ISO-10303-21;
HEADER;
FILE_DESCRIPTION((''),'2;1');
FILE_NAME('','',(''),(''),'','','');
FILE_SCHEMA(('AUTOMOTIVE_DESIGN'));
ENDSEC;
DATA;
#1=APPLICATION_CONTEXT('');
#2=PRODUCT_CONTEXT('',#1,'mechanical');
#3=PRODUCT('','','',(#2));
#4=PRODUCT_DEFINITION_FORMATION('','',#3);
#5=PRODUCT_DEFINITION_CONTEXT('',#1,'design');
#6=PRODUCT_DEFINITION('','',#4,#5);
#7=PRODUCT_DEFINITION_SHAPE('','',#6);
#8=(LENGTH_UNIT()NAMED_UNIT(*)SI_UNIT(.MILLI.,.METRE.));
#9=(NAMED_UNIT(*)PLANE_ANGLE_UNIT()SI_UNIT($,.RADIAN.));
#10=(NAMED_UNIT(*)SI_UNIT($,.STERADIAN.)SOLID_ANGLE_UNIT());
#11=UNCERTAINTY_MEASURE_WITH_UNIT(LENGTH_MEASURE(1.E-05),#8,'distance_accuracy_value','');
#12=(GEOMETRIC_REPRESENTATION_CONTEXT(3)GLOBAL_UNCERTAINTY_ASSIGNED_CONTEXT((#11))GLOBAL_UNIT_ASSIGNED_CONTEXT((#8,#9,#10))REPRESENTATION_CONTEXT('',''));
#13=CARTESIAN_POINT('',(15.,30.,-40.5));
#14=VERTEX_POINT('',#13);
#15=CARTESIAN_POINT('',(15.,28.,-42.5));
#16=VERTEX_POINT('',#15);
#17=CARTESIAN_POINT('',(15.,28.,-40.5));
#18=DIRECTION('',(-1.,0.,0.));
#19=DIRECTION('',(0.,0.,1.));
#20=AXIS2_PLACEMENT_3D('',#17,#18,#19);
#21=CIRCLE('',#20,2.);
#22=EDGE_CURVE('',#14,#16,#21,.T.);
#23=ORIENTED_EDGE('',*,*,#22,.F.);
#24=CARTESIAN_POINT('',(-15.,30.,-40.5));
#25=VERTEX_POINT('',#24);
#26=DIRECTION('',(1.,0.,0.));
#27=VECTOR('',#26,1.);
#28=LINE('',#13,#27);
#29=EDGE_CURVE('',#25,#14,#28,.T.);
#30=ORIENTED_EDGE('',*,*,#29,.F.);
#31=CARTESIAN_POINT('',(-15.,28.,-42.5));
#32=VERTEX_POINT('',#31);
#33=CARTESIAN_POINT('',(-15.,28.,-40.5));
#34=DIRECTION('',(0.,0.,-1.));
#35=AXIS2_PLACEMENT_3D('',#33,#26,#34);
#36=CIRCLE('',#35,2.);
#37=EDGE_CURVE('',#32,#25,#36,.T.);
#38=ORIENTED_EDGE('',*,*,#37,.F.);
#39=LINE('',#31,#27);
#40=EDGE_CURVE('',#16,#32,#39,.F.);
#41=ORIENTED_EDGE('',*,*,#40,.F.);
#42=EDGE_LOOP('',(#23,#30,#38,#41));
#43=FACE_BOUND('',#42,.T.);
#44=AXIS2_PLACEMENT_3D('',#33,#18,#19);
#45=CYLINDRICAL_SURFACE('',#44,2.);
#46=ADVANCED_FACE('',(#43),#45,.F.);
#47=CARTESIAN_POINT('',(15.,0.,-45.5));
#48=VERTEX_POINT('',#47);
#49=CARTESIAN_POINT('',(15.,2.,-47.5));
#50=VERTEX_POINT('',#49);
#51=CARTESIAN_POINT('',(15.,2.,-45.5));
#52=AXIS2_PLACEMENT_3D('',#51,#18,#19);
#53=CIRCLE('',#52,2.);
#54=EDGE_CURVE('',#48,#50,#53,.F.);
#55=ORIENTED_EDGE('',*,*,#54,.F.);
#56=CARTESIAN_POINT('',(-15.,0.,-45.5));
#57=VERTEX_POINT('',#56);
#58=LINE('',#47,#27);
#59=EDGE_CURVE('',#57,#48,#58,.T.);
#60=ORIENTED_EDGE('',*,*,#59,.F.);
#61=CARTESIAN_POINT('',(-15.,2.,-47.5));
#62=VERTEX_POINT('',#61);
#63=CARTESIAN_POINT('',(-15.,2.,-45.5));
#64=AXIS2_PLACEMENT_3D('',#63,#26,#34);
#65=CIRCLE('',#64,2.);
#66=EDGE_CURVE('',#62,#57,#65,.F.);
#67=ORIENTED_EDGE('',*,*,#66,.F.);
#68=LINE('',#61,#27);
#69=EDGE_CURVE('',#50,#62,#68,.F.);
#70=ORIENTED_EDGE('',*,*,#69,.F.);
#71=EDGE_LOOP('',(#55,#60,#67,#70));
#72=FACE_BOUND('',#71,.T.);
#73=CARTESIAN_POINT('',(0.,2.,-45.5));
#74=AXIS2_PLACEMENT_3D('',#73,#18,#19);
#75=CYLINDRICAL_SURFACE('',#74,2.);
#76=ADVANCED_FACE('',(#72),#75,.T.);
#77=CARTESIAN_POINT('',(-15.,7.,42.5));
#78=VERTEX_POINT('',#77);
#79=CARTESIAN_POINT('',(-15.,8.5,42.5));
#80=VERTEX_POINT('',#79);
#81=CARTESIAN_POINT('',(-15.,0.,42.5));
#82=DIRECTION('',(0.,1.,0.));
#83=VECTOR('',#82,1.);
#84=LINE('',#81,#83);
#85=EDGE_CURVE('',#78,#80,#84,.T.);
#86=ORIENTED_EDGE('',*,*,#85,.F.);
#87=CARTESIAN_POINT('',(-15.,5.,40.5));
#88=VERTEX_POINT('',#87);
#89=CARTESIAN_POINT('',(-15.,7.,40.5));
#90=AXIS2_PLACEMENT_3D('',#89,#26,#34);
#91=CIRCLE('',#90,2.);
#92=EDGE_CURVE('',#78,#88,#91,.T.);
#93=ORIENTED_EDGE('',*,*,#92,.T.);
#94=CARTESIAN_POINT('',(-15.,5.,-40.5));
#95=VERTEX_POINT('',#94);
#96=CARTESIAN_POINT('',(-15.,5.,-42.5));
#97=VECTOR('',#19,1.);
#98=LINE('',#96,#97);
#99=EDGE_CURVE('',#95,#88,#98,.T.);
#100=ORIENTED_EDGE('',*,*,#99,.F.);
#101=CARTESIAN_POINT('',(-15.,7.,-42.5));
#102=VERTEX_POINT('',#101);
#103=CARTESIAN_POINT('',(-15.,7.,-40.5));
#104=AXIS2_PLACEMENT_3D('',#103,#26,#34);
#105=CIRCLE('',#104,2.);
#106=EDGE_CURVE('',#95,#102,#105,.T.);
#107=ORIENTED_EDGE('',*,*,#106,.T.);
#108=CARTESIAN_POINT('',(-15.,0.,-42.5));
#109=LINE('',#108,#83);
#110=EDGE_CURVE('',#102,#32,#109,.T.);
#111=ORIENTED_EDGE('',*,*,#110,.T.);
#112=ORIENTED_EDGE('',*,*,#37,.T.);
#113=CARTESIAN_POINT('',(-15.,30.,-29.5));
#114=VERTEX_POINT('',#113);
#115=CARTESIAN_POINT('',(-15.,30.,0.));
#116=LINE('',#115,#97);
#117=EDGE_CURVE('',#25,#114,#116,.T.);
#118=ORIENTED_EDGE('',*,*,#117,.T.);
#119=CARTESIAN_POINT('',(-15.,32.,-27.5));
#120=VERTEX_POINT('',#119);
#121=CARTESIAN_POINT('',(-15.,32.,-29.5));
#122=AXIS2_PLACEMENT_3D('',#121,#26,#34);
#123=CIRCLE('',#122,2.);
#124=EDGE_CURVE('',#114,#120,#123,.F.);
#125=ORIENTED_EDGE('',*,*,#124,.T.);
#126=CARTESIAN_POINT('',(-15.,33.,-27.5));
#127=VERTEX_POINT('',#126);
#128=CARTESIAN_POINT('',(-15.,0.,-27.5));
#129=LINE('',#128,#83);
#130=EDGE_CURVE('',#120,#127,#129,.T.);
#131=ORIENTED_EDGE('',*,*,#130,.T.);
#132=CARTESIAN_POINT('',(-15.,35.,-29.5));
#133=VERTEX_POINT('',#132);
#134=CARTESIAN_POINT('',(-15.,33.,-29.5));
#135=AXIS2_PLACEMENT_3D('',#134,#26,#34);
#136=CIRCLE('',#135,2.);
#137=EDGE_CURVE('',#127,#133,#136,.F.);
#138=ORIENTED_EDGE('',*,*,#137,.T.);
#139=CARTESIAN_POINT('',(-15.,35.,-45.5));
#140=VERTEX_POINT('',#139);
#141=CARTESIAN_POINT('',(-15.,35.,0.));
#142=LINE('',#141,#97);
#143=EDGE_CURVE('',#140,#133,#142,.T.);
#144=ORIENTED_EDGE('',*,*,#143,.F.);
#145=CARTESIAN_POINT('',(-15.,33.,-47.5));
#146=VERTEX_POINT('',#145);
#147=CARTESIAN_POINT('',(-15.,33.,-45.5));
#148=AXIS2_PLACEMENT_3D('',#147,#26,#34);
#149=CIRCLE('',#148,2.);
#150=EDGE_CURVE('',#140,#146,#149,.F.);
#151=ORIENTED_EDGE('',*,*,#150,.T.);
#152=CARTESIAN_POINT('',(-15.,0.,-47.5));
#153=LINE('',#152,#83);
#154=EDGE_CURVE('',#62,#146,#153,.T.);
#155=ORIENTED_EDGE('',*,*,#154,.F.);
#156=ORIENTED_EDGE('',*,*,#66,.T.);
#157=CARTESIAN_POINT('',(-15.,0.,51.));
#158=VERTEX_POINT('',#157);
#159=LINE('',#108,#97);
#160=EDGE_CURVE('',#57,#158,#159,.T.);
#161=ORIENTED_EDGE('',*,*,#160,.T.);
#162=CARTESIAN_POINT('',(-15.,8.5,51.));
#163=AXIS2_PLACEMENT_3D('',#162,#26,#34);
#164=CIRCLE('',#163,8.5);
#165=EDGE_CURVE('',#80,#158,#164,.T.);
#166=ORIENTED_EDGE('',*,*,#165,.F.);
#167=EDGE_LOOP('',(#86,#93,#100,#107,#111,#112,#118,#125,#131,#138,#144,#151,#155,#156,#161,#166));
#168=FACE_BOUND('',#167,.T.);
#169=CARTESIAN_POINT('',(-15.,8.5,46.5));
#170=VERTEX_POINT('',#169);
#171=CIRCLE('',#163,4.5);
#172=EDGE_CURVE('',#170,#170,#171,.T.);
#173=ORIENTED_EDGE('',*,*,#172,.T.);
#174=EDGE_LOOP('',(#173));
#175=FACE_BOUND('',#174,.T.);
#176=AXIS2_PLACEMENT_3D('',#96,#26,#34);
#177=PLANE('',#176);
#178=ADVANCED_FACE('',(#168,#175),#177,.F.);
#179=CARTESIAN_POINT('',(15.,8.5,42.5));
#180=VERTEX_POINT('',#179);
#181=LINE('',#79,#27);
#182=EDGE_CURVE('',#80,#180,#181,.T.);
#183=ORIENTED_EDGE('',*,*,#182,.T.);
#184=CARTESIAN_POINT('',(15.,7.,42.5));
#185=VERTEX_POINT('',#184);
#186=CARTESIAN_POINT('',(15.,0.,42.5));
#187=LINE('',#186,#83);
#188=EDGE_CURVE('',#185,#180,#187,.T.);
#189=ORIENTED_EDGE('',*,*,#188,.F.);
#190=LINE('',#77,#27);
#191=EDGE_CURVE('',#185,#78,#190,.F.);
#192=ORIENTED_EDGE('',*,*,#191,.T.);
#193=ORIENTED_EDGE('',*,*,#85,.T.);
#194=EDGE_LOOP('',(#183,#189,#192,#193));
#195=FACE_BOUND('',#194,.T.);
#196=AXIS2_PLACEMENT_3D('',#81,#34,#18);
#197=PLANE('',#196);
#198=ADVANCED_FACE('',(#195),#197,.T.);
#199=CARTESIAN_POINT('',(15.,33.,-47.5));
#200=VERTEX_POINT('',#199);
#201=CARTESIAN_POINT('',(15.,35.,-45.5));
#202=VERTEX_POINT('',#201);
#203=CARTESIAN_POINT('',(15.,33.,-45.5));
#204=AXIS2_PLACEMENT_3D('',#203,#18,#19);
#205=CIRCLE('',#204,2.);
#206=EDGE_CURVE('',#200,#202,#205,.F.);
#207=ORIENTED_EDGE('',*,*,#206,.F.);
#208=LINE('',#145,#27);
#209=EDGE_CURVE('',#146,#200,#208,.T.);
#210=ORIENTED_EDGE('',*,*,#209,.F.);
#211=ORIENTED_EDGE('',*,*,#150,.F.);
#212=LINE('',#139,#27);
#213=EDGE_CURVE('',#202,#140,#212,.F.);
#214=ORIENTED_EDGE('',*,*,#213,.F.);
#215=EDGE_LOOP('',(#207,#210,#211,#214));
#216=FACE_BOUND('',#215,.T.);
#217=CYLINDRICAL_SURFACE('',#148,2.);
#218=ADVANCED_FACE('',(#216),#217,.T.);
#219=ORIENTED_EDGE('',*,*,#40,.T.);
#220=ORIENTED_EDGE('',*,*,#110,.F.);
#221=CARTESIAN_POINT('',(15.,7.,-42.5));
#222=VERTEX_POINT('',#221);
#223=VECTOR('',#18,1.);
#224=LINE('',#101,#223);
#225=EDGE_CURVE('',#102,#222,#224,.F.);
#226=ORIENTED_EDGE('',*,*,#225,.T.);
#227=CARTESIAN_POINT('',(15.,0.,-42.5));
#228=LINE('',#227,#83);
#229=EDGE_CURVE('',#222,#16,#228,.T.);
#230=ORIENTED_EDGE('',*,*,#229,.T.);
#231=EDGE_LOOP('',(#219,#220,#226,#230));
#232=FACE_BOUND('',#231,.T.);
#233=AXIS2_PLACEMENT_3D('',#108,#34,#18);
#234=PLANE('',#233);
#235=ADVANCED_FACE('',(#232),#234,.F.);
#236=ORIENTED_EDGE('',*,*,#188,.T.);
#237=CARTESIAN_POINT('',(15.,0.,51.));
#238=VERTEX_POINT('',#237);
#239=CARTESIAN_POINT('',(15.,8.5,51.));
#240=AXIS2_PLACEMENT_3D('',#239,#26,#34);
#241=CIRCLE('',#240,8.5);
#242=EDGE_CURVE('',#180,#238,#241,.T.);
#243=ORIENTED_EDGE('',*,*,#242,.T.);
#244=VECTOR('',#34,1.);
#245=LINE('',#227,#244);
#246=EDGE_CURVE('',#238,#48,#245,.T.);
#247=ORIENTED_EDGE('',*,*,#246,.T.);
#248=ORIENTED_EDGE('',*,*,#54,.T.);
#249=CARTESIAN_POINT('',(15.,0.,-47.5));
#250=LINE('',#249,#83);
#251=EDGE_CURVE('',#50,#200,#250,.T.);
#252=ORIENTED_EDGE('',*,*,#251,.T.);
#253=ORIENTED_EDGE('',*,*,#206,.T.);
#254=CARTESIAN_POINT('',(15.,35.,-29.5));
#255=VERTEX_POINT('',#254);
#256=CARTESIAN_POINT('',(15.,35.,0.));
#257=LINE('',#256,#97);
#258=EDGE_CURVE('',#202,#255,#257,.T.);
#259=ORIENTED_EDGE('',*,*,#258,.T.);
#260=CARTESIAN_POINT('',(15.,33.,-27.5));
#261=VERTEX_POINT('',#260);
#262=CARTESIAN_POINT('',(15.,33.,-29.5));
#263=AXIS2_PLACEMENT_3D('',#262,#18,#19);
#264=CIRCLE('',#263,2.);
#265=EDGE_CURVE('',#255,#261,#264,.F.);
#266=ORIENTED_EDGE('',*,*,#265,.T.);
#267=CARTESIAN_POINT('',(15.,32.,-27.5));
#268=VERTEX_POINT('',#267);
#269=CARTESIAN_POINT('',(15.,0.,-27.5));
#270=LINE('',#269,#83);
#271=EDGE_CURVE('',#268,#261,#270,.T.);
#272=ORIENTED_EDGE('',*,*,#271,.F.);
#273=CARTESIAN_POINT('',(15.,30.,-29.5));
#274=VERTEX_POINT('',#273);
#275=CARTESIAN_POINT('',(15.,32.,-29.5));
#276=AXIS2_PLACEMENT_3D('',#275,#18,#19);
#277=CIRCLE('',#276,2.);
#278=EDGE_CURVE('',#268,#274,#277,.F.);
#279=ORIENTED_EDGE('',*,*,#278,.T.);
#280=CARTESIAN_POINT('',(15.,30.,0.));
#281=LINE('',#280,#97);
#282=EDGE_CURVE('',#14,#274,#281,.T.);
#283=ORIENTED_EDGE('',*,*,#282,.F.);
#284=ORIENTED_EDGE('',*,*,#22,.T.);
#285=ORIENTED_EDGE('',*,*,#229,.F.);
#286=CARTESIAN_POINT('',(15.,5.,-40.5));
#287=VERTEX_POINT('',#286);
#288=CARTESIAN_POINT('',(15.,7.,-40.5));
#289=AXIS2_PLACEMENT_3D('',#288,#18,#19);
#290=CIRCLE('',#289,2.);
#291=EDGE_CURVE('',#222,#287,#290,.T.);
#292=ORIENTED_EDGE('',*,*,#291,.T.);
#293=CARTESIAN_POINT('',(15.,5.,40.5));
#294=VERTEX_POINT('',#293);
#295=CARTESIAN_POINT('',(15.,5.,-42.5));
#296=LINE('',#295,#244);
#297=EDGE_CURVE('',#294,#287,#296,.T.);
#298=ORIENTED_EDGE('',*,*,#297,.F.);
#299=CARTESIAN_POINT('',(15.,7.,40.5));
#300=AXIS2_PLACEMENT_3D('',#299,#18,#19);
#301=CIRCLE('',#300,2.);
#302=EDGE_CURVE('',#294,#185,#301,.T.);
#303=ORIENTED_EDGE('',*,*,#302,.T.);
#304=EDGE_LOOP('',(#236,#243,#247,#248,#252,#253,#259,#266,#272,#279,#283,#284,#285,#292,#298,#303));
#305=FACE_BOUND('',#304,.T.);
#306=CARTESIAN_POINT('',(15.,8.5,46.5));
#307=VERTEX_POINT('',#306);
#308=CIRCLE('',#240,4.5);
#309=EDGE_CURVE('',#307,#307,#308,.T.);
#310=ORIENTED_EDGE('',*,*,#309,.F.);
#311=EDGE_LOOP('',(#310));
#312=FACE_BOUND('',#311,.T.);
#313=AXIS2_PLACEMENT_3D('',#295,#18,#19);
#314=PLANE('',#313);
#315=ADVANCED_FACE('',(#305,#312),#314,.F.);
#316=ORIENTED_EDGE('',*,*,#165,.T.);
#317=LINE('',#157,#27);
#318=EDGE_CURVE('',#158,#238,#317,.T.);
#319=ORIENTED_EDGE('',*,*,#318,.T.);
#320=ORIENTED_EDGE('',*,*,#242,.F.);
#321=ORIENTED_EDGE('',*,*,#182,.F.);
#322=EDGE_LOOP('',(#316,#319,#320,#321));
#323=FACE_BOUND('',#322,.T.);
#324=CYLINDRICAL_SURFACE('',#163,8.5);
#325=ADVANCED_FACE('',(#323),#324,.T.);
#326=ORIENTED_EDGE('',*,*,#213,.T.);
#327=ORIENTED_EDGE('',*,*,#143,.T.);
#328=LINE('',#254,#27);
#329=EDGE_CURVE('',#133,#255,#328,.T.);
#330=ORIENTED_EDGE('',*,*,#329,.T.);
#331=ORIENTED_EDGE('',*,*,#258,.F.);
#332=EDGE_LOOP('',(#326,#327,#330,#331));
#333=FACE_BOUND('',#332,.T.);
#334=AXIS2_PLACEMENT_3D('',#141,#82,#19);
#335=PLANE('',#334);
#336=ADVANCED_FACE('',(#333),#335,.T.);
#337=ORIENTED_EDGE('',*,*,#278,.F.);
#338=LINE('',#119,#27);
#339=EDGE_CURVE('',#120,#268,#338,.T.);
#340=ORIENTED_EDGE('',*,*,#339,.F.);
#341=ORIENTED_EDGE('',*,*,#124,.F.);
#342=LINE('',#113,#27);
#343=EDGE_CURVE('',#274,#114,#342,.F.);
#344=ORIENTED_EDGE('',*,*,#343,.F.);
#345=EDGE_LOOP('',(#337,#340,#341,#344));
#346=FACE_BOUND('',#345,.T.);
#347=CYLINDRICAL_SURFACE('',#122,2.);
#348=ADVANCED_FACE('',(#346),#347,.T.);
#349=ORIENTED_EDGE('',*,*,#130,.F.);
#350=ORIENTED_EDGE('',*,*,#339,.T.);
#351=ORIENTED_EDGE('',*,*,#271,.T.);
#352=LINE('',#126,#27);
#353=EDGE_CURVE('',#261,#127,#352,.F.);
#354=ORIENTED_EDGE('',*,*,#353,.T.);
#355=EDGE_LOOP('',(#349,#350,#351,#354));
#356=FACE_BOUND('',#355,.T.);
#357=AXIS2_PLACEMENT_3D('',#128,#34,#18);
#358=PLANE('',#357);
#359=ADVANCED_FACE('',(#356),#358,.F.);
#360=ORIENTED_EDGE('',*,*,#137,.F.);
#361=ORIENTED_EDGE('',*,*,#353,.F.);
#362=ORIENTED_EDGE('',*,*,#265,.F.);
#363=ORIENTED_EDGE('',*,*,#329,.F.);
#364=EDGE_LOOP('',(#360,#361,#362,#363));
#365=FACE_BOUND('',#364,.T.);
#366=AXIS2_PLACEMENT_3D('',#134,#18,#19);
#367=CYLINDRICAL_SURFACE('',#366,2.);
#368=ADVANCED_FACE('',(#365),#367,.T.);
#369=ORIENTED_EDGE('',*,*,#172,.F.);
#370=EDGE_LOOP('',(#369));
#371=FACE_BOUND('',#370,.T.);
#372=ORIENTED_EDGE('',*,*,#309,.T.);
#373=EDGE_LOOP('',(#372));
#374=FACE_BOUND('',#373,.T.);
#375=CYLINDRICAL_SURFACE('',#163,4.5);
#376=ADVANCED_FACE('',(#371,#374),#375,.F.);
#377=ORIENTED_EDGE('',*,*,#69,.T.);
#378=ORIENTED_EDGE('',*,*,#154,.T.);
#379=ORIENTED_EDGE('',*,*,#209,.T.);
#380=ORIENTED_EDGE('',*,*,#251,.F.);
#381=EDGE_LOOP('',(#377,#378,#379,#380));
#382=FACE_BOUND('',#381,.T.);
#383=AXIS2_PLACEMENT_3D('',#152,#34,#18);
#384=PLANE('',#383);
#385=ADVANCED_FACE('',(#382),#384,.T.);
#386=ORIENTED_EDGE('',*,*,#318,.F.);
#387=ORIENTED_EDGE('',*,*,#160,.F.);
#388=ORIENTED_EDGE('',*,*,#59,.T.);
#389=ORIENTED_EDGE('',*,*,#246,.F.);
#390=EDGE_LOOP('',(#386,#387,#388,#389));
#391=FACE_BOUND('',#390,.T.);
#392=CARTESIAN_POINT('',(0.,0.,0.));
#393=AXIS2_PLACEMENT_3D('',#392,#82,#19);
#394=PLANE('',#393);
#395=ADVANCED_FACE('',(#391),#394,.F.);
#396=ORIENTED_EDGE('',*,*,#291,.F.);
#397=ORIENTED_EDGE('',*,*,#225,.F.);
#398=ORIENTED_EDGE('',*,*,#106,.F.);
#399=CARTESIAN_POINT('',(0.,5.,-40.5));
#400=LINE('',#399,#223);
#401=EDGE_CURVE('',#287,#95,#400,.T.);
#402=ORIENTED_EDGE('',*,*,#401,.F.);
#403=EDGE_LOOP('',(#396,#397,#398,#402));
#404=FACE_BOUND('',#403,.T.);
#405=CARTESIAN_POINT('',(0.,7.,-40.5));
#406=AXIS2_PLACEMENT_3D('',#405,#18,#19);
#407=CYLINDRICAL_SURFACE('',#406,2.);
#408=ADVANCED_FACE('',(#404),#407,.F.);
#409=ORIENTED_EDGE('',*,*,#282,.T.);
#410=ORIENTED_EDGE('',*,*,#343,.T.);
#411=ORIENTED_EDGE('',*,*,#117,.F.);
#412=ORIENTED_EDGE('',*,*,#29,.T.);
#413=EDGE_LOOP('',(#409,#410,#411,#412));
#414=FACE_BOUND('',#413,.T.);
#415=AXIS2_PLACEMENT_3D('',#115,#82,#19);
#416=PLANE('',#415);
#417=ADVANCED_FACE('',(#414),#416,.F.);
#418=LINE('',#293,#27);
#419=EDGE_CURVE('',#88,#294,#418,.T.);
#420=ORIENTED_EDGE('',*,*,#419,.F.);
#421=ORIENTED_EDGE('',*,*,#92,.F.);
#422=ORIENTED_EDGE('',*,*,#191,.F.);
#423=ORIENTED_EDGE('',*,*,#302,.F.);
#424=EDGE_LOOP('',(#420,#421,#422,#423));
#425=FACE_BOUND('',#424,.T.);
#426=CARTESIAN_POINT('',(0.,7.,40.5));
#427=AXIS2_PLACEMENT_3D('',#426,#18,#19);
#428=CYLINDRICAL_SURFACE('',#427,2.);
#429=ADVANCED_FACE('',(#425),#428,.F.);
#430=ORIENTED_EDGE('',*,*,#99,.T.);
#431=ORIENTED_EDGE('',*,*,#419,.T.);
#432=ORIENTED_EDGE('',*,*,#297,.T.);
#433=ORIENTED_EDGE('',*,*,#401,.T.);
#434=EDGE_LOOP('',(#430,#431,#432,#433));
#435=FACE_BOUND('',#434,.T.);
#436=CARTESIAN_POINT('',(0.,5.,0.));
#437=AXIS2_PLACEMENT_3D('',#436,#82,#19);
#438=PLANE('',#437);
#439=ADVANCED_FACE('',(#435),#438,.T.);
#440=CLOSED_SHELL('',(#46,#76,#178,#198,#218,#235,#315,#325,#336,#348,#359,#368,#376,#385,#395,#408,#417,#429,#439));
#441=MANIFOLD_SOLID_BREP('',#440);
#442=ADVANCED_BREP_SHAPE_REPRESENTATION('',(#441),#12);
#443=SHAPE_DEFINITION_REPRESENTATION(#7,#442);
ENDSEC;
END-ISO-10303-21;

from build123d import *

# Parameters (mm, degrees)
SKETCH1_W           = 30
SKETCH1_H           = 85
BOSS_EXTRUDE1_DEPTH = 5
SKETCH2_R           = 4.5
BOSS_EXTRUDE2_DEPTH = 30
FILLET1_R           = 2


with BuildPart() as part:
    # Sketch1 → Boss-Extrude1 (new body)
    with BuildSketch(Plane(origin=(0, 0, 0), x_dir=(1, 0, 0), z_dir=(0, 1, 0))):
        Rectangle(SKETCH1_W, SKETCH1_H)
    extrude(amount=BOSS_EXTRUDE1_DEPTH)

    # Sketch2 → Boss-Extrude2 (add)
    with BuildSketch(Plane(origin=(15, 0, 0), x_dir=(0, 0, -1), z_dir=(1, 0, 0))):
        with BuildLine():
            Line((-42.5, 5), (-42.5, 8.5))
            ThreePointArc((-42.5, 8.5), (-57.01040764, 14.51040764), (-51, 0))
            Line((-51, 0), (-42.5, 0))
            Line((-42.5, 0), (-42.5, 5))
        make_face()
        with Locations((-51, 8.5)):
            Circle(SKETCH2_R, mode=Mode.SUBTRACT)
        Polygon((42.5, 5), (42.5, 0), (47.5, 0), (47.5, 30), (42.5, 30), align=None)
        Polygon((42.5, 30), (47.5, 30), (47.5, 35), (27.5, 35), (27.5, 30), align=None)
    extrude(amount=-BOSS_EXTRUDE2_DEPTH)

    # Fillet1
    fillet1_edges = [part.edges().sort_by_distance(p)[0] for p in [
        (0, 5, -42.5),
        (0, 0, -47.5),
        (0, 30, -42.5),
        (0, 30, -27.5),
        (0, 35, -27.5),
        (0, 35, -47.5),
        (0, 5, 42.5),
    ]]
    fillet(fillet1_edges, radius=FILLET1_R)


solid = part.part
